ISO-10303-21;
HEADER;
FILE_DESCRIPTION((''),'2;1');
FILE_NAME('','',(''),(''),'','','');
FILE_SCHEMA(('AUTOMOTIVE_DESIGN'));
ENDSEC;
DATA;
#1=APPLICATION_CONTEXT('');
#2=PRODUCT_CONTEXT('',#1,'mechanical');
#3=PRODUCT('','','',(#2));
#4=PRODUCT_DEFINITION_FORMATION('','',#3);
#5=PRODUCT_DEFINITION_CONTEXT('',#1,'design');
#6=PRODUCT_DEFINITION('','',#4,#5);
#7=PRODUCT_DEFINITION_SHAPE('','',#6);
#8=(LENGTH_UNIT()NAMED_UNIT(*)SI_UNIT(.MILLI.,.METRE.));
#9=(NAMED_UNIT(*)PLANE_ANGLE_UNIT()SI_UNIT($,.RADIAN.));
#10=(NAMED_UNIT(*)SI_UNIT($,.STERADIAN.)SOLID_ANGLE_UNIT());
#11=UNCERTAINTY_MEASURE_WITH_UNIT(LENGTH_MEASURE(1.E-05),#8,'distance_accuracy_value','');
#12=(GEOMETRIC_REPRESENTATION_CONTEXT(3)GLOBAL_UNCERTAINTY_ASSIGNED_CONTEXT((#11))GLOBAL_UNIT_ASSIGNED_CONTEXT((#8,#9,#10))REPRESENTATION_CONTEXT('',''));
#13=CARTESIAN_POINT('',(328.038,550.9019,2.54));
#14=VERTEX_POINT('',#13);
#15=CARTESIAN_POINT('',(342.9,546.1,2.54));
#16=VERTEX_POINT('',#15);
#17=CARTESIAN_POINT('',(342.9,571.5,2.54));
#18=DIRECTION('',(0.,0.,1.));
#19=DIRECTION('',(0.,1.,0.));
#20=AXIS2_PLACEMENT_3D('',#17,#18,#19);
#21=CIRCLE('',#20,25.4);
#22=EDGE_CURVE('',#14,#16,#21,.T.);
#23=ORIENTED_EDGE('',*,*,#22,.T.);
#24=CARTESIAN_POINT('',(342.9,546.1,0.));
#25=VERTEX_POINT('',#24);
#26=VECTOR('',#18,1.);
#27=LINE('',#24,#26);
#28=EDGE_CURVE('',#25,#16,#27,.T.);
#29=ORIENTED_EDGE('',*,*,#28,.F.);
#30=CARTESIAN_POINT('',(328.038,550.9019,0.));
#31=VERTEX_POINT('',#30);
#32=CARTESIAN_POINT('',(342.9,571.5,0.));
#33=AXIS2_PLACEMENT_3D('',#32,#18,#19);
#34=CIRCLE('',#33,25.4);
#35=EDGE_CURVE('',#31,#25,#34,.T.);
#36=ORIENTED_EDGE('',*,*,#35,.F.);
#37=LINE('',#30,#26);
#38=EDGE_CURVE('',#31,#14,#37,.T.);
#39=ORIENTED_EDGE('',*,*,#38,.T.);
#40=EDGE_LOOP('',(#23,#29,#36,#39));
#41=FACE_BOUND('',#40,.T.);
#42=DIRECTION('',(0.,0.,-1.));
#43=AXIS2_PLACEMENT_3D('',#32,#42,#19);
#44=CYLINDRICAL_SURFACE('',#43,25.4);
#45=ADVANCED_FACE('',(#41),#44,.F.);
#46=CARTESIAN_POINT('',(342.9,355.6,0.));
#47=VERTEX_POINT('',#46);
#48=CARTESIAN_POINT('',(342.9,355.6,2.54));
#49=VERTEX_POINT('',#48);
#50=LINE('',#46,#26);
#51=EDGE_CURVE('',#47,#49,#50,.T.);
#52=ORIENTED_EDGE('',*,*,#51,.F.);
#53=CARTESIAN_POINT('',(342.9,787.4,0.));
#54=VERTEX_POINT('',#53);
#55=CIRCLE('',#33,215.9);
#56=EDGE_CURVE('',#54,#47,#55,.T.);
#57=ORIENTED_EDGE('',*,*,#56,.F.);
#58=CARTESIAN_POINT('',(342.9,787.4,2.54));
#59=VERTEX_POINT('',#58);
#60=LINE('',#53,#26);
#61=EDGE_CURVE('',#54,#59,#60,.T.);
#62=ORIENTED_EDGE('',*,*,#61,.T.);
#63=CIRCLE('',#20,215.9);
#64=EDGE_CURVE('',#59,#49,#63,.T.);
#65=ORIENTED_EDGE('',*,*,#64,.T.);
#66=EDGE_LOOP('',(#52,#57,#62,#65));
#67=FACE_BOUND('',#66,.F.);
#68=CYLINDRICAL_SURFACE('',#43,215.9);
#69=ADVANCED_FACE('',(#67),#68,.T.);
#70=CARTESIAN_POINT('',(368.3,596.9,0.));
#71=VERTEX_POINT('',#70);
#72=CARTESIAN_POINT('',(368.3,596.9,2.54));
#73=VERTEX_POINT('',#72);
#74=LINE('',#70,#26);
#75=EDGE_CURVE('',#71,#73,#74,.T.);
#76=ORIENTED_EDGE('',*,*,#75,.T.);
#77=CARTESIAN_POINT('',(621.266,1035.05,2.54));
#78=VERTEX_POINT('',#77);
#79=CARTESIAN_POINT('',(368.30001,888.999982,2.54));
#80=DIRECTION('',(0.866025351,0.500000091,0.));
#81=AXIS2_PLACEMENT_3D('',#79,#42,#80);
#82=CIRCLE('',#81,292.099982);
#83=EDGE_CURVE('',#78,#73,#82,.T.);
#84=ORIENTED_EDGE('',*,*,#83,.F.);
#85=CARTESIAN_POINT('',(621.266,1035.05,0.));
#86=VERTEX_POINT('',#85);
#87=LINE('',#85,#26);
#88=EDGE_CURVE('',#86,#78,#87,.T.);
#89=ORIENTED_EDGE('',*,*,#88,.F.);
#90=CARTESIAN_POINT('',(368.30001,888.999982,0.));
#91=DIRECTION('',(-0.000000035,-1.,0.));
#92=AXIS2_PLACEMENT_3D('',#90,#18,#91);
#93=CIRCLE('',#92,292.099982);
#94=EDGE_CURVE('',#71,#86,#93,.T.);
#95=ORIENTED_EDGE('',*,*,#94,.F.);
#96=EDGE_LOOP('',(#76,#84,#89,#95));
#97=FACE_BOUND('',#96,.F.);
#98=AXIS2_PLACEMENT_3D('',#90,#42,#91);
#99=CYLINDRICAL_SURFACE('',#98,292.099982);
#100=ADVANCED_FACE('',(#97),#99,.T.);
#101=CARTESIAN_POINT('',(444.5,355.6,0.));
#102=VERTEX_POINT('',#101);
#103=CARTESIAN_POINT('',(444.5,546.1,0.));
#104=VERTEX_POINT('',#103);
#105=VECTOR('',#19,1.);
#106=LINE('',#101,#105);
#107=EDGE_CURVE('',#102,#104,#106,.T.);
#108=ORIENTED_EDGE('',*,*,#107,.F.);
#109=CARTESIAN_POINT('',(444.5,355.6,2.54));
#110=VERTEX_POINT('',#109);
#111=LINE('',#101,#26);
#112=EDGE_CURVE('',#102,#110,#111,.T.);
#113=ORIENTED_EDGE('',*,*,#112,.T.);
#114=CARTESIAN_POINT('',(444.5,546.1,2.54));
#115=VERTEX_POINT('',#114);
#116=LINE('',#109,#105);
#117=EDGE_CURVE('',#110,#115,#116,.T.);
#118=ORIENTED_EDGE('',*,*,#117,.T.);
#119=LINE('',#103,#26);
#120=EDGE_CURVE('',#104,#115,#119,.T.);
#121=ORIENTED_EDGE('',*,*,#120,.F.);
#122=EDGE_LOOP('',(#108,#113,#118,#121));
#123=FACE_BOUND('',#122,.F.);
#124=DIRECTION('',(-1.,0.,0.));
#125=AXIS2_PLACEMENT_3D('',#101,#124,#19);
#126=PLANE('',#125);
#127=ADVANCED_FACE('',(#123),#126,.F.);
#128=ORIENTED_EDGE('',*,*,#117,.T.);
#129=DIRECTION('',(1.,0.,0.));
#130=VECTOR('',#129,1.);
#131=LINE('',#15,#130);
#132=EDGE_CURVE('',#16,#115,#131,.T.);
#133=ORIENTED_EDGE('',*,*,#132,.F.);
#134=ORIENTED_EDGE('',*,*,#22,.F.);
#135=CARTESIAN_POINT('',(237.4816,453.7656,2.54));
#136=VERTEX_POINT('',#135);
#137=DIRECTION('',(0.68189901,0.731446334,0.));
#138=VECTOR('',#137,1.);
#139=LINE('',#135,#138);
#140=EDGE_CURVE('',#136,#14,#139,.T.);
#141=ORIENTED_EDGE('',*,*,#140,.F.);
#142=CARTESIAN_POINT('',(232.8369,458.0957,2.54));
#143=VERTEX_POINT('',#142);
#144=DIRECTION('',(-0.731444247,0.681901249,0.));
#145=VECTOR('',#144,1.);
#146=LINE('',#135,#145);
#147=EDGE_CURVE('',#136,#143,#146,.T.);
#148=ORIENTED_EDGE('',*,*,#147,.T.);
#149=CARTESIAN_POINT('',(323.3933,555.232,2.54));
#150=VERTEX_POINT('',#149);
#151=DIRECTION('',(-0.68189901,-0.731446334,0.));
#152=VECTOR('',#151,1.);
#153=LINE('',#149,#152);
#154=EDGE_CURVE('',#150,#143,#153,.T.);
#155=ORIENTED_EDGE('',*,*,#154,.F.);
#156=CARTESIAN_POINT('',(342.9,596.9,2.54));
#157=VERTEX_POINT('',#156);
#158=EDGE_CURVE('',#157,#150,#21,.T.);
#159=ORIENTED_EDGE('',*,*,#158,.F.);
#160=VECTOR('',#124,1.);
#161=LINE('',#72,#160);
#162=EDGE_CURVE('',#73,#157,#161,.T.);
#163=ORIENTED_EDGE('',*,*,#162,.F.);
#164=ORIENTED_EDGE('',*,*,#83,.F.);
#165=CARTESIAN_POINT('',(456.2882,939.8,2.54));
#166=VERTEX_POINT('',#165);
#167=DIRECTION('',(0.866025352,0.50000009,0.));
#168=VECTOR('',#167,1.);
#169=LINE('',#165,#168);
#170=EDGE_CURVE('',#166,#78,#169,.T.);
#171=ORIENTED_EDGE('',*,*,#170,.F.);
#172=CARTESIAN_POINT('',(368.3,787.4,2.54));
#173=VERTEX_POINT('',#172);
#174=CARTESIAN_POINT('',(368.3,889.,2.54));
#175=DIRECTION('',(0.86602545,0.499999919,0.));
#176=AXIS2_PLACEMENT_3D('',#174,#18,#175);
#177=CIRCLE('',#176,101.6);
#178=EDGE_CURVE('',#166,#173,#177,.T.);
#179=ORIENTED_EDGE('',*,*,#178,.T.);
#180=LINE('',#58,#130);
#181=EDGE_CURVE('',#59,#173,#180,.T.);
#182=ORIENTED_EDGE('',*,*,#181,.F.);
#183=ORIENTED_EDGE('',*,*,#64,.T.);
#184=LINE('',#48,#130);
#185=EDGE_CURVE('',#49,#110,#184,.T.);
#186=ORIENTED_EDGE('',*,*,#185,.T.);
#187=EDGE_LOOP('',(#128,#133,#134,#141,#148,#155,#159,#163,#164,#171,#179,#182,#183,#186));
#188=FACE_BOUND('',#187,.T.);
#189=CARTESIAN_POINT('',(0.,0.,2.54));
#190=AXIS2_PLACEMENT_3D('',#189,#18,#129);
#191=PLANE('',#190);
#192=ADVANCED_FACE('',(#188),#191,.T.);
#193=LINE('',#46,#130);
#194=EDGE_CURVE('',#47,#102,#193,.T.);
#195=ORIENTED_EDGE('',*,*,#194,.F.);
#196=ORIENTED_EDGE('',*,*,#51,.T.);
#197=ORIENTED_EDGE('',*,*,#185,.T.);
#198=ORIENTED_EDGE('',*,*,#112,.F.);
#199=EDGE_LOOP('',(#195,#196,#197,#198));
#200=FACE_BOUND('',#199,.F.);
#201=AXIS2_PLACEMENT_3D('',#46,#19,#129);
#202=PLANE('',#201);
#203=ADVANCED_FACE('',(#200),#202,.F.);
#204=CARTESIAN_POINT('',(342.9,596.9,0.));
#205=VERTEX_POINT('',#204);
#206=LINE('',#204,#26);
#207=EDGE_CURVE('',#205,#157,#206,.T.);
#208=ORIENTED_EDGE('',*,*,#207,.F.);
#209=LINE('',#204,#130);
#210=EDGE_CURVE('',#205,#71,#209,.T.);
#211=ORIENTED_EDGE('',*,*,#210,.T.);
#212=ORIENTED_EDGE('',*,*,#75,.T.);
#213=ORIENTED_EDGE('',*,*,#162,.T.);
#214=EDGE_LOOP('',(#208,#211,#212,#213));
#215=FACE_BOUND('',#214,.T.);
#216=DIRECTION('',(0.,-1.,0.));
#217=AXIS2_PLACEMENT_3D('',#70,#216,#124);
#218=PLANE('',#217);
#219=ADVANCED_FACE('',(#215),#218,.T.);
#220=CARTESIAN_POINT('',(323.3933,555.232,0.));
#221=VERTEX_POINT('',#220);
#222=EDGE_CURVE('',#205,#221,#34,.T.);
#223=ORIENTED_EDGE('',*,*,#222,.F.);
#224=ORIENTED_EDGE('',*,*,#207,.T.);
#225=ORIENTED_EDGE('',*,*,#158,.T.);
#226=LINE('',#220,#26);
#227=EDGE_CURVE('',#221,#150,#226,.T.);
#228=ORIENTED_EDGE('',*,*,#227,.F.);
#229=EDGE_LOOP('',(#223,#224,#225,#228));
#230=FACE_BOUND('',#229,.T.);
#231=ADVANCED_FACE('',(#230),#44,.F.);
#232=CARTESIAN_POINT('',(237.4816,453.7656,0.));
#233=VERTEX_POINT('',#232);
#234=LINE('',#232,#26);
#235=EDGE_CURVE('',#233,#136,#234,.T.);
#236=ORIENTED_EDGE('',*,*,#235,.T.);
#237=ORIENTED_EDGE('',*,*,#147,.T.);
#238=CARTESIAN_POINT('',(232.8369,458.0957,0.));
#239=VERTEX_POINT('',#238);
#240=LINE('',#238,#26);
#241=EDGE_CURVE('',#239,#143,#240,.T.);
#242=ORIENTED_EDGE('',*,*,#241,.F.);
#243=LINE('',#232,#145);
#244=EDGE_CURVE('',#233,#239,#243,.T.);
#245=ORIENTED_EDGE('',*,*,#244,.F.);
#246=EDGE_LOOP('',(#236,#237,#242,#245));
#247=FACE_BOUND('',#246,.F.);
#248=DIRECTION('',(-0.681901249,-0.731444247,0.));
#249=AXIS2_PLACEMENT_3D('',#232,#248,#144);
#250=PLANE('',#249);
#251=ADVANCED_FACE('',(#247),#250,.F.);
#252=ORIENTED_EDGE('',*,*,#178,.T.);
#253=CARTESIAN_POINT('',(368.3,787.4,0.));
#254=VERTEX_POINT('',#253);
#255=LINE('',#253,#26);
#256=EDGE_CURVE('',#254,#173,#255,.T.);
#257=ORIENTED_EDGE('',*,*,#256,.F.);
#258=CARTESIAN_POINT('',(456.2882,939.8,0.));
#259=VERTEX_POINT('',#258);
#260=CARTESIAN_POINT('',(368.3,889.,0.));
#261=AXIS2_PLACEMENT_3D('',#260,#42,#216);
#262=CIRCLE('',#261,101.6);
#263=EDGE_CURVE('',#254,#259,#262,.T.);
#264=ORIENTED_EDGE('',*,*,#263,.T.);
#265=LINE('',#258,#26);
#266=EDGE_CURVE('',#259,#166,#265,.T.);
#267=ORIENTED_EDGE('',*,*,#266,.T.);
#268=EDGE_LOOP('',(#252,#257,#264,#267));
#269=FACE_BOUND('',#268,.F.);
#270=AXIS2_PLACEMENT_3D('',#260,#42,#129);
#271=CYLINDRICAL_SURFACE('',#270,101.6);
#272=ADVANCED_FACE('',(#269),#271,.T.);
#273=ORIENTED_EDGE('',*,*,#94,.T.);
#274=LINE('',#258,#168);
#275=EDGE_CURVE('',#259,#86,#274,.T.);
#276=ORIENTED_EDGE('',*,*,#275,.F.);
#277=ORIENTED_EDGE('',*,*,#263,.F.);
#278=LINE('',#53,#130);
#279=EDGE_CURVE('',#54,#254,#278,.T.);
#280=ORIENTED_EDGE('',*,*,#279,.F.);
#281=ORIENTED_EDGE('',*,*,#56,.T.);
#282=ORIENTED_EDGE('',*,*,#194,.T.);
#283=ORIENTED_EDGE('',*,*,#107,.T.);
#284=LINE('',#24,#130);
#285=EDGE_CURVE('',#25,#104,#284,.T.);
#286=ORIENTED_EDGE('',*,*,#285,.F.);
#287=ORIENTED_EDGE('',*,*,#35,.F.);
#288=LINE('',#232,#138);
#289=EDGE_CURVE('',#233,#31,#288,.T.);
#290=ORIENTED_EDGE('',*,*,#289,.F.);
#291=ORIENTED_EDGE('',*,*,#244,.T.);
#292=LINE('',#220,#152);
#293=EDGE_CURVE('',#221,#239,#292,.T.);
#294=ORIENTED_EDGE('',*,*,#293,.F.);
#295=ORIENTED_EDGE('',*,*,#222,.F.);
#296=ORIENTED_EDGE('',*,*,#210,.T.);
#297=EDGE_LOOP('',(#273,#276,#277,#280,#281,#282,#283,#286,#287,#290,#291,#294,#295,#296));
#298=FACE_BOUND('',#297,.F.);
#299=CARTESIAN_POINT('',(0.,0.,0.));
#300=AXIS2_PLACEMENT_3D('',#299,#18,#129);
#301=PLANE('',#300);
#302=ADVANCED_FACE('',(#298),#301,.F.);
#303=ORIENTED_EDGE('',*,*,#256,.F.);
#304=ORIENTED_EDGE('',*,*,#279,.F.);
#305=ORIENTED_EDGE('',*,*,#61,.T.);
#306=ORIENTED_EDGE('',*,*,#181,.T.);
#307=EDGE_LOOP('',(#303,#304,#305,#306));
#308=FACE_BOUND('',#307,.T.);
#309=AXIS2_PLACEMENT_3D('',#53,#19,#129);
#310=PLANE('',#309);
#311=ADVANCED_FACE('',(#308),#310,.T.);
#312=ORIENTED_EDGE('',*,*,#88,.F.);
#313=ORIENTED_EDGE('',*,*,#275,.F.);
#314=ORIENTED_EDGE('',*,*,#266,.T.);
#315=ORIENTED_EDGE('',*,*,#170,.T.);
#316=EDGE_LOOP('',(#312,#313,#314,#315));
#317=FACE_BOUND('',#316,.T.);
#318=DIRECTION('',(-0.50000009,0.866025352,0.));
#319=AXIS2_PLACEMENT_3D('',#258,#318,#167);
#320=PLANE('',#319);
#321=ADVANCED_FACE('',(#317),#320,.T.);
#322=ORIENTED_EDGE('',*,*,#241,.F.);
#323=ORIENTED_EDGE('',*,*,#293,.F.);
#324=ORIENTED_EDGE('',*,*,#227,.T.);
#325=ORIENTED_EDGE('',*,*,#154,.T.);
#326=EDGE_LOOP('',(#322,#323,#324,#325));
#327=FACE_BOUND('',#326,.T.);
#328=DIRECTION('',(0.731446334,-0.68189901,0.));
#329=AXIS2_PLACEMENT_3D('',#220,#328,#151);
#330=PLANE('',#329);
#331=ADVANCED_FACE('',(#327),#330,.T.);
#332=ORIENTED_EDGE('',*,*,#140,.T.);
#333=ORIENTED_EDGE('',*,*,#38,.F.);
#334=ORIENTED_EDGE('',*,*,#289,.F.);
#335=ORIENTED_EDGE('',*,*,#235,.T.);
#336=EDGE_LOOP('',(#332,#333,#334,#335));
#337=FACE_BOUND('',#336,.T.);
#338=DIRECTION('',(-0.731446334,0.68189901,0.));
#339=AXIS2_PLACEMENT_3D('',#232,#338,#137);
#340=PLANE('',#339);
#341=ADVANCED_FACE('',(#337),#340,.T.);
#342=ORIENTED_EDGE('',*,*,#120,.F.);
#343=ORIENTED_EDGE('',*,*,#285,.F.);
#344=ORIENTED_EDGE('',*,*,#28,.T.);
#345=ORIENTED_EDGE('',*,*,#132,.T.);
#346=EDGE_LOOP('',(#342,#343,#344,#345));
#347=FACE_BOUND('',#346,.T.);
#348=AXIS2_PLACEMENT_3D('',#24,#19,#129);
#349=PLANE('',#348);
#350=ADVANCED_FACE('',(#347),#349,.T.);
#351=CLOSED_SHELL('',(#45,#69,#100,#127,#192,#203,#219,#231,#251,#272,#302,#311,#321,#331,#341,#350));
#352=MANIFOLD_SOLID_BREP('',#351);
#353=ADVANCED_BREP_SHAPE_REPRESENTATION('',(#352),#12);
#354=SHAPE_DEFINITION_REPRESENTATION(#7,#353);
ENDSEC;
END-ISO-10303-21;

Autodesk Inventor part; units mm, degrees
ref_plane "YZ Plane" through (0, 0, 0) normal (1, 0, 0) x (0, 1, 0)
ref_plane "XZ Plane" through (0, 0, 0) normal (0, 1, 0) x (-1, 0, 0)
ref_plane "XY Plane" through (0, 0, 0) normal (0, 0, 1) x (1, 0, 0)
sketch "Sketch1" plane through (0, 0, 0) normal (0, 0, 1) x (1, 0, 0)
  arc A0 (368.3, 596.9) -> (621.266, 1035.05) centre (368.3, 889) ccw
  circle A1 centre (368.3, 889) radius 101.6
  line L0 (621.266, 1035.05) -> (368.3, 889) construction
  line L1 (456.2882, 939.8) -> (14.5272, 1704.9525) construction
  line L2 (456.2882, 939.8) -> (-427.2338, 939.8) construction
  line L3 (368.3, 889) -> (368.3, 596.9) construction
  line L4 (368.3, 596.9) -> (342.9, 596.9)
  line L5 (342.9, 596.9) -> (342.9, 787.4) construction
  line L6 (342.9, 787.4) -> (368.3, 787.4)
  line L7 (0, 0) -> (685.8, 0) construction
  line L8 (685.8, 0) -> (685.8, 1498.6) construction
  line L9 (685.8, 1498.6) -> (0, 1498.6) construction
  line L10 (0, 1498.6) -> (0, 0) construction
  line L11 (241.3, 0) -> (444.5, 0) construction
  line L12 (444.5, 0) -> (444.5, 558.8) construction
  line L13 (444.5, 558.8) -> (241.3, 558.8) construction
  line L14 (241.3, 558.8) -> (241.3, 0) construction
  line L15 (241.3, 135.2277) -> (0, 135.2277) construction
  line L16 (444.5, 135.2277) -> (685.8, 135.2277) construction
  line L17 (456.2882, 939.8) -> (621.266, 1035.05)
  arc A2 (342.9, 596.9) -> (342.9, 546.1) centre (342.9, 571.5) ccw
  arc A3 (342.9, 787.4) -> (342.9, 355.6) centre (342.9, 571.5) ccw
  line L18 (342.9, 546.1) -> (444.5, 546.1)
  line L19 (342.9, 355.6) -> (444.5, 355.6)
  line L20 (444.5, 355.6) -> (444.5, 546.1)
  arc A4 (342.9, 787.4) -> (343.2908, 790.5262) centre (342.9, 788.9875) ccw
  circle A5 centre (342.9, 571.5) radius 25.4
  line L21 (323.3933, 555.232) -> (232.8369, 458.0957)
  line L22 (237.4816, 453.7656) -> (232.8369, 458.0957)
  line L23 (237.4816, 453.7656) -> (328.038, 550.9019)
  line L24 (328.038, 550.9019) -> (323.3933, 555.232)
  line L25 (357.762, 592.0981) -> (448.3184, 689.2344)
  line L26 (448.3184, 689.2344) -> (452.9631, 684.9043)
  line L27 (452.9631, 684.9043) -> (362.4067, 587.768)
  line L28 (362.4067, 587.768) -> (357.762, 592.0981)
  dimension "d0" = 203.2
  dimension "d2" = 60
  dimension "d3" = 120
  dimension "d5" = 685.8
  dimension "d6" = 1498.6
  dimension "d7" = 203.2
  dimension "d8" = 558.8
  dimension "d9" = 190.5
  dimension "d14" = 25.4
  dimension "d15" = 939.8
  dimension "d21" = 25.4
  dimension "d22" = 101.6
  dimension "d25" = 6.35
extrude "Extrusion2" add sketch "Sketch1" along normal blind 2.54 contours L4 L25 L26 L27 A0 | L27 L26 L25 L4 A2 L21 L22 L23 L18 L20 L19 A3 L6 A1 L17 A0 | A1
properties part number "ShooterSketch"
